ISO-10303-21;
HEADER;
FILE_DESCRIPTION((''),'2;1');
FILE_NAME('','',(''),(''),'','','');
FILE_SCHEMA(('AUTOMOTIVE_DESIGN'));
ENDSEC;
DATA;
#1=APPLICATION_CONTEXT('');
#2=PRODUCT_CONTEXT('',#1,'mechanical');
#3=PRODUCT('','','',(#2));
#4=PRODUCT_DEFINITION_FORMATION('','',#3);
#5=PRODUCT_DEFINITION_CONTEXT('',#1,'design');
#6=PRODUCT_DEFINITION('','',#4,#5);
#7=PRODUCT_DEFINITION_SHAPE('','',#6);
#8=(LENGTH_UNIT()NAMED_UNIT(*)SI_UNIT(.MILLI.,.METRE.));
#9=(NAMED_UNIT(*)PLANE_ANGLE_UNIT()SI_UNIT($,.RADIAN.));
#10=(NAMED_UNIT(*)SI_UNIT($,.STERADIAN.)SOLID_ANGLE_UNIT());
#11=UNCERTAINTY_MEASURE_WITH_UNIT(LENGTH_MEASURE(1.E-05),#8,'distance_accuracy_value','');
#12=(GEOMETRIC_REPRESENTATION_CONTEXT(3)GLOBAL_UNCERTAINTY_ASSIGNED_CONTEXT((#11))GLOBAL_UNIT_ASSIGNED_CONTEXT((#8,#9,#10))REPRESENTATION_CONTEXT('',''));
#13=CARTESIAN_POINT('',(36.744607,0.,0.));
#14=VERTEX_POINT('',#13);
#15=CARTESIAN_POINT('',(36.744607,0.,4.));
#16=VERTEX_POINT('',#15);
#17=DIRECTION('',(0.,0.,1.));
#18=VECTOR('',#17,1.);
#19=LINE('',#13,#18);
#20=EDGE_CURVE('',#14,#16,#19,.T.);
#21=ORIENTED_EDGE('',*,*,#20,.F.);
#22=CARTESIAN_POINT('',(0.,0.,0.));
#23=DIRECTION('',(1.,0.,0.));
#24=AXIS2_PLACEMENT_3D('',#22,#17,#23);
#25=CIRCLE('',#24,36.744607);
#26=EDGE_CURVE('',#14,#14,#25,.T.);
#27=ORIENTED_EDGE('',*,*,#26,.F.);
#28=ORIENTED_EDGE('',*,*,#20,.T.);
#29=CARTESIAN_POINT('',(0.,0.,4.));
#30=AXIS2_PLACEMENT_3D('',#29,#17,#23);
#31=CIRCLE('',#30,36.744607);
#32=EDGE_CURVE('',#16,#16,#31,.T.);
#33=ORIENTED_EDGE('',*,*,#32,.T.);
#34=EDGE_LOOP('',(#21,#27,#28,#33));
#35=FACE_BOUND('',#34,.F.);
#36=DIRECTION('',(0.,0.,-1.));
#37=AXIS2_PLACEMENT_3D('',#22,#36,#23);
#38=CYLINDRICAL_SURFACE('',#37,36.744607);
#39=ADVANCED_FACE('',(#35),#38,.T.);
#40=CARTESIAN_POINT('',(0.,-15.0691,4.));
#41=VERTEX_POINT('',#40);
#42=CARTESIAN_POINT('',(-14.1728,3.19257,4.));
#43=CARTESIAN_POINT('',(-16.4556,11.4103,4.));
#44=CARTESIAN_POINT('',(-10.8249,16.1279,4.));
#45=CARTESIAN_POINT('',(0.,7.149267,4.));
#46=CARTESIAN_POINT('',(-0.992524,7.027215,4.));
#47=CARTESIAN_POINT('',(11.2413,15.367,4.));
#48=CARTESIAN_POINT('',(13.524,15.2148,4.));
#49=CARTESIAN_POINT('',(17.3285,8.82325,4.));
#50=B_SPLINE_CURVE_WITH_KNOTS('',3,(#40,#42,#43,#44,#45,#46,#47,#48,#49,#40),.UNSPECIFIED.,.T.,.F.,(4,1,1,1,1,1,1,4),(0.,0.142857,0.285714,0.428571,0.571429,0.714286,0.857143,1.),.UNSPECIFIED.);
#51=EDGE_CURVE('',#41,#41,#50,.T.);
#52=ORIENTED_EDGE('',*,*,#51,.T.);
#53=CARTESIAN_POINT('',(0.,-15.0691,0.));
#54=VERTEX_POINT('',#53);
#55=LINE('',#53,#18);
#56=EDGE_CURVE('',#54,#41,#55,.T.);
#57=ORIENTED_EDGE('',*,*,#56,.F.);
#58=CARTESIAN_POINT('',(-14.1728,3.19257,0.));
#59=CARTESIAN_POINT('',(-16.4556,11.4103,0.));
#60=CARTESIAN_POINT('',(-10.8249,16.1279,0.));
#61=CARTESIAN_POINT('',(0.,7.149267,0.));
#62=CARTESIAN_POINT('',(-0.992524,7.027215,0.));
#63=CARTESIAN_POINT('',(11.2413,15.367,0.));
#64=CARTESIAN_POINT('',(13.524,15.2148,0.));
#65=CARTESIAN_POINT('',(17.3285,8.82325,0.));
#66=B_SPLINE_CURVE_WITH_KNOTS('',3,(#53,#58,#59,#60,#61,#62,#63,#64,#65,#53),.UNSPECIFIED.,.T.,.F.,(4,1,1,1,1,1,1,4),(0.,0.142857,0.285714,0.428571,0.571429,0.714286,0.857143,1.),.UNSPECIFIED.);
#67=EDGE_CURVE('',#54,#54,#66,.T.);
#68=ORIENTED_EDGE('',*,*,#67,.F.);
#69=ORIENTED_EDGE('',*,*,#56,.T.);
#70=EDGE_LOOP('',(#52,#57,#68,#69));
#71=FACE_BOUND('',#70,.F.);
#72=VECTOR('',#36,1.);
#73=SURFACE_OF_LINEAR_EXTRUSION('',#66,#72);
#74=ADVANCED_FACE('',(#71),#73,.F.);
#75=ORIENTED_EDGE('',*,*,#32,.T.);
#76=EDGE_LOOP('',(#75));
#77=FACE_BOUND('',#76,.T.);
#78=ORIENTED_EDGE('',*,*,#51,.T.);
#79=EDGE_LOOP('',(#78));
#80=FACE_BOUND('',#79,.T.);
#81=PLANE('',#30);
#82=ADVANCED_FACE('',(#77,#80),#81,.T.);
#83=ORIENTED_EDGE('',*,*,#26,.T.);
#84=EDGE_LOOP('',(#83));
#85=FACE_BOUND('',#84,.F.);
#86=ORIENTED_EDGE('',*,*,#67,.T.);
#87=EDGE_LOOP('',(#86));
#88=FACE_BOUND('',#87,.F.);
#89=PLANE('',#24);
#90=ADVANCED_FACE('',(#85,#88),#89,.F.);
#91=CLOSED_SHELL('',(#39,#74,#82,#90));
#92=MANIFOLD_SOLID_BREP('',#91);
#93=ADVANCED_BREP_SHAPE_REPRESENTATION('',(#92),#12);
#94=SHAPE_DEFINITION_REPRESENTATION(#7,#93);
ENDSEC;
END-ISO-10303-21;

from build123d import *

# Parameters (mm, degrees)
SKETCH_R      = 36.744607
EXTRUDE_DEPTH = 4


with BuildPart() as part:
    # Sketch → Extrude (new body)
    with BuildSketch(Plane.XY):
        Circle(SKETCH_R)
        with BuildLine():
            add(Edge.make_bspline(
                [(0, -15.0691), (-14.1728, 3.19257), (-16.4556, 11.4103), (-10.8249, 16.1279), (0, 7.149267), (-0.992524, 7.027215), (11.2413, 15.367), (13.524, 15.2148), (17.3285, 8.82325), (0, -15.0691)],
                knots=[0, 0, 0, 0, 0.142857, 0.285714, 0.428571, 0.571429, 0.714286, 0.857143, 1, 1, 1, 1], degree=3))
        make_face(mode=Mode.SUBTRACT)
    extrude(amount=EXTRUDE_DEPTH)


solid = part.part
